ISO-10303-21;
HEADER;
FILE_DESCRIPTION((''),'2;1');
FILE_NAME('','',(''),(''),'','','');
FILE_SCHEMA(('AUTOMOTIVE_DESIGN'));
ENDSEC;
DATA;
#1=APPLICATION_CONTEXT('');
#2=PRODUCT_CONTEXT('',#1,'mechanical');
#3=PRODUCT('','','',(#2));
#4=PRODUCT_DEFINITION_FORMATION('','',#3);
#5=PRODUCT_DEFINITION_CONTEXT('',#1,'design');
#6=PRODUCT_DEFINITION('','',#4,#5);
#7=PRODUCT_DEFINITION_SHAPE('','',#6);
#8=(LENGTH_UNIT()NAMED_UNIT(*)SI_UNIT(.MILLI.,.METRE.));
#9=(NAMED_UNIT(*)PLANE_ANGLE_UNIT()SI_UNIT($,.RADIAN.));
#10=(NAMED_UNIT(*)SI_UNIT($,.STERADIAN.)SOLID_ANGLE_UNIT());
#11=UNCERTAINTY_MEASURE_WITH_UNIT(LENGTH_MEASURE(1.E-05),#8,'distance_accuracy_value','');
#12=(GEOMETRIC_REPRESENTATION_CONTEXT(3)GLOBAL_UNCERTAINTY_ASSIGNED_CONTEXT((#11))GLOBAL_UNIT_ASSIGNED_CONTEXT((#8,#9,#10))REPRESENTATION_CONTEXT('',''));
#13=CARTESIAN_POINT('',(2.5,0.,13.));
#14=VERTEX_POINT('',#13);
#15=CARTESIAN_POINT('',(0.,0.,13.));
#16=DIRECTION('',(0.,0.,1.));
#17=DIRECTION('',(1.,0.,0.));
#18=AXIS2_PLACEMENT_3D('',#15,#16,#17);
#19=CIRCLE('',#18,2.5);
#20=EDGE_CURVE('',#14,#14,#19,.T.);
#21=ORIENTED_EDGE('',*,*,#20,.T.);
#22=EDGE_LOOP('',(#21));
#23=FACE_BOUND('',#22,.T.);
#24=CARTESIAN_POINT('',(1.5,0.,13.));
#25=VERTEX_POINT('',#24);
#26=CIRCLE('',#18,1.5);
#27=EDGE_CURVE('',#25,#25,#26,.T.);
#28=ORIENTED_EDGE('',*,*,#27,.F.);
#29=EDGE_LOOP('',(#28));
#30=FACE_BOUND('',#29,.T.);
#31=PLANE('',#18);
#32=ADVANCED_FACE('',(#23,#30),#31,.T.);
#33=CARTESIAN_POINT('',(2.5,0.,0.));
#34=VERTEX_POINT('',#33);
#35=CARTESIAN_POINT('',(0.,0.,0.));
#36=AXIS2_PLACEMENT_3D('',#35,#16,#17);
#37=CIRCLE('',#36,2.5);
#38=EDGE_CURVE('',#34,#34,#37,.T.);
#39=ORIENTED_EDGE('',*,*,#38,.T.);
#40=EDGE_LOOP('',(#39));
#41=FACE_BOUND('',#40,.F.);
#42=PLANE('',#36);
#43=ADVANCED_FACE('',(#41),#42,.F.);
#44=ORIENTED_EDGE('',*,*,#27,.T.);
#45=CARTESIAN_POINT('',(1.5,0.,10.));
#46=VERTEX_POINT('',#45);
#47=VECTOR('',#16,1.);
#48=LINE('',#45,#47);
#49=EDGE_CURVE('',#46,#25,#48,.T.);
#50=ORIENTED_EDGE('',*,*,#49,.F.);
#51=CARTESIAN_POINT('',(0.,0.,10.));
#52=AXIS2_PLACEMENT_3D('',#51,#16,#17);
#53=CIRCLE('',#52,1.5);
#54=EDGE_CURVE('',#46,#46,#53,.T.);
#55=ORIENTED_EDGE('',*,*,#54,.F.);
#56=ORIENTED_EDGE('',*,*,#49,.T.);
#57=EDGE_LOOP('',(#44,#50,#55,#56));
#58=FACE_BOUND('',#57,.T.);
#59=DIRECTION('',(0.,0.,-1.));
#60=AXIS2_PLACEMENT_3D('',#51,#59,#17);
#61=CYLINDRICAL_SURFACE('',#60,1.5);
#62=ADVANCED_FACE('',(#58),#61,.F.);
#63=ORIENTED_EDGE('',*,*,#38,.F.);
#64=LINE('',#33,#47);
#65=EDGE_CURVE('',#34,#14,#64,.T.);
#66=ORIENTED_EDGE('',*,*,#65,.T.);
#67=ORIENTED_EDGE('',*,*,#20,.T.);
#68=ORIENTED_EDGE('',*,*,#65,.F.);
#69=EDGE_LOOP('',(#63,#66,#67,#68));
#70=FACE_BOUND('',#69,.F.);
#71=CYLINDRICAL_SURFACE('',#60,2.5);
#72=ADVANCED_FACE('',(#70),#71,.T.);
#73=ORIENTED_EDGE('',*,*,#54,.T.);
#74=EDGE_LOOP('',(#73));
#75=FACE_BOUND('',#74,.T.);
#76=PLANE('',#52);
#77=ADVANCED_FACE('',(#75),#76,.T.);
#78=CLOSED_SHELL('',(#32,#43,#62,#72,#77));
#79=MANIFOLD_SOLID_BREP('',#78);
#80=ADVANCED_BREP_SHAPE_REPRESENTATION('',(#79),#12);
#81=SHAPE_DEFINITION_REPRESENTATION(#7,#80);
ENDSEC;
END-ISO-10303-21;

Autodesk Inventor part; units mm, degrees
ref_plane "YZ Plane" through (0, 0, 0) normal (1, 0, 0) x (0, 1, 0)
ref_plane "XZ Plane" through (0, 0, 0) normal (0, 1, 0) x (-1, 0, 0)
ref_plane "XY Plane" through (0, 0, 0) normal (0, 0, 1) x (1, 0, 0)
sketch "Sketch1" plane through (0, 0, 0) normal (0, 0, 1) x (1, 0, 0)
  circle A0 centre (0, 0) radius 2.5
  circle A1 centre (0, 0) radius 1.5
  dimension "d0" = 5
  dimension "d1" = 3
extrude "Extrusion1" add sketch "Sketch1" along normal blind 10 contours A0 | A1
sketch "Sketch2" plane through (0, 0, 10) normal (0, 0, 1) x (1, 0, 0)
  circle A0 centre (0, 0) radius 2.5
  circle A1 centre (0, 0) radius 1.5
  dimension "d4" = 5
  dimension "d5" = 3
extrude "Extrusion2" add sketch "Sketch2" along normal blind 3
properties part number "SoftTipLong"
